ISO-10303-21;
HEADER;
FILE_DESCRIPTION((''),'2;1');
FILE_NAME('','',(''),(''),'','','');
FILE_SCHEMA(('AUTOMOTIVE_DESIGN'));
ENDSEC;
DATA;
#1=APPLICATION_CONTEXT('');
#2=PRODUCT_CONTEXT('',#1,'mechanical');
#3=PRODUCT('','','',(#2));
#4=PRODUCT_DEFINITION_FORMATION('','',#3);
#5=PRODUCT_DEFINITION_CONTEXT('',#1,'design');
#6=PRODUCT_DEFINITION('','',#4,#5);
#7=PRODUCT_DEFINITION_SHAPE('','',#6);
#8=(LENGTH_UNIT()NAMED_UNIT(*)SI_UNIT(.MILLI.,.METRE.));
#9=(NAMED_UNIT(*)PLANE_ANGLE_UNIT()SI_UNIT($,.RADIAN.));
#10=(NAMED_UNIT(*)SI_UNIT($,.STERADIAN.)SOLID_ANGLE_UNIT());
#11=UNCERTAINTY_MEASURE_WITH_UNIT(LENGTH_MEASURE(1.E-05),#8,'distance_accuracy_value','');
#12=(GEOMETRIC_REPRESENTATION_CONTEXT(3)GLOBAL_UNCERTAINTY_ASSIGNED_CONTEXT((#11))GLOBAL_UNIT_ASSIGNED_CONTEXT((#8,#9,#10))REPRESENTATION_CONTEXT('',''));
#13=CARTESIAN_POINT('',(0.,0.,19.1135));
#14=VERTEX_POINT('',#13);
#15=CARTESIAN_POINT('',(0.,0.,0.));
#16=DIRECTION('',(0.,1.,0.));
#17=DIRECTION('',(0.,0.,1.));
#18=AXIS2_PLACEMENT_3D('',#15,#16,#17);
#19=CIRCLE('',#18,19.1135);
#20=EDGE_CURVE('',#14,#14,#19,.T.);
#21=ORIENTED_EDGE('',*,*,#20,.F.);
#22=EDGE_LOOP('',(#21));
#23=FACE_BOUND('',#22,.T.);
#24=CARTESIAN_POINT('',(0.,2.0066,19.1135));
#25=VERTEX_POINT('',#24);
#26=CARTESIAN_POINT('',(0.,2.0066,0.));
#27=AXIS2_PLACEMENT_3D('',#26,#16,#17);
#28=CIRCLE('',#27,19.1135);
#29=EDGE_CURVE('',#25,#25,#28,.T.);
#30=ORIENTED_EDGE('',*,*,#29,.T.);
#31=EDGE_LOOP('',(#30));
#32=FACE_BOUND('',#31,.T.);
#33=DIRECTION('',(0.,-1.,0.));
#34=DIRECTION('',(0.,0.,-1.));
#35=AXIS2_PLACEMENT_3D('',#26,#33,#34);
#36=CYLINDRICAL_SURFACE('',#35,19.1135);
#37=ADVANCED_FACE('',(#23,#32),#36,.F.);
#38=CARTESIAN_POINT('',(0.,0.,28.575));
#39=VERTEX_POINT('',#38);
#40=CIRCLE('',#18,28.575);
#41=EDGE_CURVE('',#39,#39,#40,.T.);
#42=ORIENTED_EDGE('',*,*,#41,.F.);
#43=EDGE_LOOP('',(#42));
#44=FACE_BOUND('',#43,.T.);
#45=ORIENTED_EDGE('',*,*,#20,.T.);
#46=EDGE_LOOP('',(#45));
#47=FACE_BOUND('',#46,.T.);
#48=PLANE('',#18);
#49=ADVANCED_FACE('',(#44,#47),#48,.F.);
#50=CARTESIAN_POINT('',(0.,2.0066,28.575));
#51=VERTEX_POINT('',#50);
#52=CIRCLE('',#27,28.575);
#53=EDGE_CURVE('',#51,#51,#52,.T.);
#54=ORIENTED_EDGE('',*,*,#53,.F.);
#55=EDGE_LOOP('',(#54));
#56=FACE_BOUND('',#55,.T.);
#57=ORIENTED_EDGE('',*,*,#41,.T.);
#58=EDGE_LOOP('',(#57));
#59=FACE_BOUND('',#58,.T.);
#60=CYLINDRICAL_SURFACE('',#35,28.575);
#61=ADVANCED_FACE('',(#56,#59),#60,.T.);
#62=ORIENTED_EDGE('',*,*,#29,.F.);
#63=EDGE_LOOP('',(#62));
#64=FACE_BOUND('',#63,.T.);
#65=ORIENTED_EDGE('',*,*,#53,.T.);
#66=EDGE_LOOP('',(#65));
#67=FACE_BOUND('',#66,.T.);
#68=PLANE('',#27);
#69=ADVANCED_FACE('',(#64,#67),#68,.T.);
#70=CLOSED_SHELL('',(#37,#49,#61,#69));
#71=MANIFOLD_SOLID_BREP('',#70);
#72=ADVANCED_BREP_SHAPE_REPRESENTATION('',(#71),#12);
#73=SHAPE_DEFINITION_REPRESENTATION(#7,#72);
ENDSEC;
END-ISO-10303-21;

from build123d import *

# Parameters (mm, degrees)
SKETCH1_R           = 28.575
SKETCH1_R_2         = 19.1135
BOSS_EXTRUDE1_DEPTH = 2.0066


with BuildPart() as part:
    # Sketch1 → Boss-Extrude1 (new body)
    with BuildSketch(Plane(origin=(0, 0, 0), x_dir=(1, 0, 0), z_dir=(0, 1, 0))):
        Circle(SKETCH1_R)
        Circle(SKETCH1_R_2, mode=Mode.SUBTRACT)
    extrude(amount=BOSS_EXTRUDE1_DEPTH)


solid = part.part
